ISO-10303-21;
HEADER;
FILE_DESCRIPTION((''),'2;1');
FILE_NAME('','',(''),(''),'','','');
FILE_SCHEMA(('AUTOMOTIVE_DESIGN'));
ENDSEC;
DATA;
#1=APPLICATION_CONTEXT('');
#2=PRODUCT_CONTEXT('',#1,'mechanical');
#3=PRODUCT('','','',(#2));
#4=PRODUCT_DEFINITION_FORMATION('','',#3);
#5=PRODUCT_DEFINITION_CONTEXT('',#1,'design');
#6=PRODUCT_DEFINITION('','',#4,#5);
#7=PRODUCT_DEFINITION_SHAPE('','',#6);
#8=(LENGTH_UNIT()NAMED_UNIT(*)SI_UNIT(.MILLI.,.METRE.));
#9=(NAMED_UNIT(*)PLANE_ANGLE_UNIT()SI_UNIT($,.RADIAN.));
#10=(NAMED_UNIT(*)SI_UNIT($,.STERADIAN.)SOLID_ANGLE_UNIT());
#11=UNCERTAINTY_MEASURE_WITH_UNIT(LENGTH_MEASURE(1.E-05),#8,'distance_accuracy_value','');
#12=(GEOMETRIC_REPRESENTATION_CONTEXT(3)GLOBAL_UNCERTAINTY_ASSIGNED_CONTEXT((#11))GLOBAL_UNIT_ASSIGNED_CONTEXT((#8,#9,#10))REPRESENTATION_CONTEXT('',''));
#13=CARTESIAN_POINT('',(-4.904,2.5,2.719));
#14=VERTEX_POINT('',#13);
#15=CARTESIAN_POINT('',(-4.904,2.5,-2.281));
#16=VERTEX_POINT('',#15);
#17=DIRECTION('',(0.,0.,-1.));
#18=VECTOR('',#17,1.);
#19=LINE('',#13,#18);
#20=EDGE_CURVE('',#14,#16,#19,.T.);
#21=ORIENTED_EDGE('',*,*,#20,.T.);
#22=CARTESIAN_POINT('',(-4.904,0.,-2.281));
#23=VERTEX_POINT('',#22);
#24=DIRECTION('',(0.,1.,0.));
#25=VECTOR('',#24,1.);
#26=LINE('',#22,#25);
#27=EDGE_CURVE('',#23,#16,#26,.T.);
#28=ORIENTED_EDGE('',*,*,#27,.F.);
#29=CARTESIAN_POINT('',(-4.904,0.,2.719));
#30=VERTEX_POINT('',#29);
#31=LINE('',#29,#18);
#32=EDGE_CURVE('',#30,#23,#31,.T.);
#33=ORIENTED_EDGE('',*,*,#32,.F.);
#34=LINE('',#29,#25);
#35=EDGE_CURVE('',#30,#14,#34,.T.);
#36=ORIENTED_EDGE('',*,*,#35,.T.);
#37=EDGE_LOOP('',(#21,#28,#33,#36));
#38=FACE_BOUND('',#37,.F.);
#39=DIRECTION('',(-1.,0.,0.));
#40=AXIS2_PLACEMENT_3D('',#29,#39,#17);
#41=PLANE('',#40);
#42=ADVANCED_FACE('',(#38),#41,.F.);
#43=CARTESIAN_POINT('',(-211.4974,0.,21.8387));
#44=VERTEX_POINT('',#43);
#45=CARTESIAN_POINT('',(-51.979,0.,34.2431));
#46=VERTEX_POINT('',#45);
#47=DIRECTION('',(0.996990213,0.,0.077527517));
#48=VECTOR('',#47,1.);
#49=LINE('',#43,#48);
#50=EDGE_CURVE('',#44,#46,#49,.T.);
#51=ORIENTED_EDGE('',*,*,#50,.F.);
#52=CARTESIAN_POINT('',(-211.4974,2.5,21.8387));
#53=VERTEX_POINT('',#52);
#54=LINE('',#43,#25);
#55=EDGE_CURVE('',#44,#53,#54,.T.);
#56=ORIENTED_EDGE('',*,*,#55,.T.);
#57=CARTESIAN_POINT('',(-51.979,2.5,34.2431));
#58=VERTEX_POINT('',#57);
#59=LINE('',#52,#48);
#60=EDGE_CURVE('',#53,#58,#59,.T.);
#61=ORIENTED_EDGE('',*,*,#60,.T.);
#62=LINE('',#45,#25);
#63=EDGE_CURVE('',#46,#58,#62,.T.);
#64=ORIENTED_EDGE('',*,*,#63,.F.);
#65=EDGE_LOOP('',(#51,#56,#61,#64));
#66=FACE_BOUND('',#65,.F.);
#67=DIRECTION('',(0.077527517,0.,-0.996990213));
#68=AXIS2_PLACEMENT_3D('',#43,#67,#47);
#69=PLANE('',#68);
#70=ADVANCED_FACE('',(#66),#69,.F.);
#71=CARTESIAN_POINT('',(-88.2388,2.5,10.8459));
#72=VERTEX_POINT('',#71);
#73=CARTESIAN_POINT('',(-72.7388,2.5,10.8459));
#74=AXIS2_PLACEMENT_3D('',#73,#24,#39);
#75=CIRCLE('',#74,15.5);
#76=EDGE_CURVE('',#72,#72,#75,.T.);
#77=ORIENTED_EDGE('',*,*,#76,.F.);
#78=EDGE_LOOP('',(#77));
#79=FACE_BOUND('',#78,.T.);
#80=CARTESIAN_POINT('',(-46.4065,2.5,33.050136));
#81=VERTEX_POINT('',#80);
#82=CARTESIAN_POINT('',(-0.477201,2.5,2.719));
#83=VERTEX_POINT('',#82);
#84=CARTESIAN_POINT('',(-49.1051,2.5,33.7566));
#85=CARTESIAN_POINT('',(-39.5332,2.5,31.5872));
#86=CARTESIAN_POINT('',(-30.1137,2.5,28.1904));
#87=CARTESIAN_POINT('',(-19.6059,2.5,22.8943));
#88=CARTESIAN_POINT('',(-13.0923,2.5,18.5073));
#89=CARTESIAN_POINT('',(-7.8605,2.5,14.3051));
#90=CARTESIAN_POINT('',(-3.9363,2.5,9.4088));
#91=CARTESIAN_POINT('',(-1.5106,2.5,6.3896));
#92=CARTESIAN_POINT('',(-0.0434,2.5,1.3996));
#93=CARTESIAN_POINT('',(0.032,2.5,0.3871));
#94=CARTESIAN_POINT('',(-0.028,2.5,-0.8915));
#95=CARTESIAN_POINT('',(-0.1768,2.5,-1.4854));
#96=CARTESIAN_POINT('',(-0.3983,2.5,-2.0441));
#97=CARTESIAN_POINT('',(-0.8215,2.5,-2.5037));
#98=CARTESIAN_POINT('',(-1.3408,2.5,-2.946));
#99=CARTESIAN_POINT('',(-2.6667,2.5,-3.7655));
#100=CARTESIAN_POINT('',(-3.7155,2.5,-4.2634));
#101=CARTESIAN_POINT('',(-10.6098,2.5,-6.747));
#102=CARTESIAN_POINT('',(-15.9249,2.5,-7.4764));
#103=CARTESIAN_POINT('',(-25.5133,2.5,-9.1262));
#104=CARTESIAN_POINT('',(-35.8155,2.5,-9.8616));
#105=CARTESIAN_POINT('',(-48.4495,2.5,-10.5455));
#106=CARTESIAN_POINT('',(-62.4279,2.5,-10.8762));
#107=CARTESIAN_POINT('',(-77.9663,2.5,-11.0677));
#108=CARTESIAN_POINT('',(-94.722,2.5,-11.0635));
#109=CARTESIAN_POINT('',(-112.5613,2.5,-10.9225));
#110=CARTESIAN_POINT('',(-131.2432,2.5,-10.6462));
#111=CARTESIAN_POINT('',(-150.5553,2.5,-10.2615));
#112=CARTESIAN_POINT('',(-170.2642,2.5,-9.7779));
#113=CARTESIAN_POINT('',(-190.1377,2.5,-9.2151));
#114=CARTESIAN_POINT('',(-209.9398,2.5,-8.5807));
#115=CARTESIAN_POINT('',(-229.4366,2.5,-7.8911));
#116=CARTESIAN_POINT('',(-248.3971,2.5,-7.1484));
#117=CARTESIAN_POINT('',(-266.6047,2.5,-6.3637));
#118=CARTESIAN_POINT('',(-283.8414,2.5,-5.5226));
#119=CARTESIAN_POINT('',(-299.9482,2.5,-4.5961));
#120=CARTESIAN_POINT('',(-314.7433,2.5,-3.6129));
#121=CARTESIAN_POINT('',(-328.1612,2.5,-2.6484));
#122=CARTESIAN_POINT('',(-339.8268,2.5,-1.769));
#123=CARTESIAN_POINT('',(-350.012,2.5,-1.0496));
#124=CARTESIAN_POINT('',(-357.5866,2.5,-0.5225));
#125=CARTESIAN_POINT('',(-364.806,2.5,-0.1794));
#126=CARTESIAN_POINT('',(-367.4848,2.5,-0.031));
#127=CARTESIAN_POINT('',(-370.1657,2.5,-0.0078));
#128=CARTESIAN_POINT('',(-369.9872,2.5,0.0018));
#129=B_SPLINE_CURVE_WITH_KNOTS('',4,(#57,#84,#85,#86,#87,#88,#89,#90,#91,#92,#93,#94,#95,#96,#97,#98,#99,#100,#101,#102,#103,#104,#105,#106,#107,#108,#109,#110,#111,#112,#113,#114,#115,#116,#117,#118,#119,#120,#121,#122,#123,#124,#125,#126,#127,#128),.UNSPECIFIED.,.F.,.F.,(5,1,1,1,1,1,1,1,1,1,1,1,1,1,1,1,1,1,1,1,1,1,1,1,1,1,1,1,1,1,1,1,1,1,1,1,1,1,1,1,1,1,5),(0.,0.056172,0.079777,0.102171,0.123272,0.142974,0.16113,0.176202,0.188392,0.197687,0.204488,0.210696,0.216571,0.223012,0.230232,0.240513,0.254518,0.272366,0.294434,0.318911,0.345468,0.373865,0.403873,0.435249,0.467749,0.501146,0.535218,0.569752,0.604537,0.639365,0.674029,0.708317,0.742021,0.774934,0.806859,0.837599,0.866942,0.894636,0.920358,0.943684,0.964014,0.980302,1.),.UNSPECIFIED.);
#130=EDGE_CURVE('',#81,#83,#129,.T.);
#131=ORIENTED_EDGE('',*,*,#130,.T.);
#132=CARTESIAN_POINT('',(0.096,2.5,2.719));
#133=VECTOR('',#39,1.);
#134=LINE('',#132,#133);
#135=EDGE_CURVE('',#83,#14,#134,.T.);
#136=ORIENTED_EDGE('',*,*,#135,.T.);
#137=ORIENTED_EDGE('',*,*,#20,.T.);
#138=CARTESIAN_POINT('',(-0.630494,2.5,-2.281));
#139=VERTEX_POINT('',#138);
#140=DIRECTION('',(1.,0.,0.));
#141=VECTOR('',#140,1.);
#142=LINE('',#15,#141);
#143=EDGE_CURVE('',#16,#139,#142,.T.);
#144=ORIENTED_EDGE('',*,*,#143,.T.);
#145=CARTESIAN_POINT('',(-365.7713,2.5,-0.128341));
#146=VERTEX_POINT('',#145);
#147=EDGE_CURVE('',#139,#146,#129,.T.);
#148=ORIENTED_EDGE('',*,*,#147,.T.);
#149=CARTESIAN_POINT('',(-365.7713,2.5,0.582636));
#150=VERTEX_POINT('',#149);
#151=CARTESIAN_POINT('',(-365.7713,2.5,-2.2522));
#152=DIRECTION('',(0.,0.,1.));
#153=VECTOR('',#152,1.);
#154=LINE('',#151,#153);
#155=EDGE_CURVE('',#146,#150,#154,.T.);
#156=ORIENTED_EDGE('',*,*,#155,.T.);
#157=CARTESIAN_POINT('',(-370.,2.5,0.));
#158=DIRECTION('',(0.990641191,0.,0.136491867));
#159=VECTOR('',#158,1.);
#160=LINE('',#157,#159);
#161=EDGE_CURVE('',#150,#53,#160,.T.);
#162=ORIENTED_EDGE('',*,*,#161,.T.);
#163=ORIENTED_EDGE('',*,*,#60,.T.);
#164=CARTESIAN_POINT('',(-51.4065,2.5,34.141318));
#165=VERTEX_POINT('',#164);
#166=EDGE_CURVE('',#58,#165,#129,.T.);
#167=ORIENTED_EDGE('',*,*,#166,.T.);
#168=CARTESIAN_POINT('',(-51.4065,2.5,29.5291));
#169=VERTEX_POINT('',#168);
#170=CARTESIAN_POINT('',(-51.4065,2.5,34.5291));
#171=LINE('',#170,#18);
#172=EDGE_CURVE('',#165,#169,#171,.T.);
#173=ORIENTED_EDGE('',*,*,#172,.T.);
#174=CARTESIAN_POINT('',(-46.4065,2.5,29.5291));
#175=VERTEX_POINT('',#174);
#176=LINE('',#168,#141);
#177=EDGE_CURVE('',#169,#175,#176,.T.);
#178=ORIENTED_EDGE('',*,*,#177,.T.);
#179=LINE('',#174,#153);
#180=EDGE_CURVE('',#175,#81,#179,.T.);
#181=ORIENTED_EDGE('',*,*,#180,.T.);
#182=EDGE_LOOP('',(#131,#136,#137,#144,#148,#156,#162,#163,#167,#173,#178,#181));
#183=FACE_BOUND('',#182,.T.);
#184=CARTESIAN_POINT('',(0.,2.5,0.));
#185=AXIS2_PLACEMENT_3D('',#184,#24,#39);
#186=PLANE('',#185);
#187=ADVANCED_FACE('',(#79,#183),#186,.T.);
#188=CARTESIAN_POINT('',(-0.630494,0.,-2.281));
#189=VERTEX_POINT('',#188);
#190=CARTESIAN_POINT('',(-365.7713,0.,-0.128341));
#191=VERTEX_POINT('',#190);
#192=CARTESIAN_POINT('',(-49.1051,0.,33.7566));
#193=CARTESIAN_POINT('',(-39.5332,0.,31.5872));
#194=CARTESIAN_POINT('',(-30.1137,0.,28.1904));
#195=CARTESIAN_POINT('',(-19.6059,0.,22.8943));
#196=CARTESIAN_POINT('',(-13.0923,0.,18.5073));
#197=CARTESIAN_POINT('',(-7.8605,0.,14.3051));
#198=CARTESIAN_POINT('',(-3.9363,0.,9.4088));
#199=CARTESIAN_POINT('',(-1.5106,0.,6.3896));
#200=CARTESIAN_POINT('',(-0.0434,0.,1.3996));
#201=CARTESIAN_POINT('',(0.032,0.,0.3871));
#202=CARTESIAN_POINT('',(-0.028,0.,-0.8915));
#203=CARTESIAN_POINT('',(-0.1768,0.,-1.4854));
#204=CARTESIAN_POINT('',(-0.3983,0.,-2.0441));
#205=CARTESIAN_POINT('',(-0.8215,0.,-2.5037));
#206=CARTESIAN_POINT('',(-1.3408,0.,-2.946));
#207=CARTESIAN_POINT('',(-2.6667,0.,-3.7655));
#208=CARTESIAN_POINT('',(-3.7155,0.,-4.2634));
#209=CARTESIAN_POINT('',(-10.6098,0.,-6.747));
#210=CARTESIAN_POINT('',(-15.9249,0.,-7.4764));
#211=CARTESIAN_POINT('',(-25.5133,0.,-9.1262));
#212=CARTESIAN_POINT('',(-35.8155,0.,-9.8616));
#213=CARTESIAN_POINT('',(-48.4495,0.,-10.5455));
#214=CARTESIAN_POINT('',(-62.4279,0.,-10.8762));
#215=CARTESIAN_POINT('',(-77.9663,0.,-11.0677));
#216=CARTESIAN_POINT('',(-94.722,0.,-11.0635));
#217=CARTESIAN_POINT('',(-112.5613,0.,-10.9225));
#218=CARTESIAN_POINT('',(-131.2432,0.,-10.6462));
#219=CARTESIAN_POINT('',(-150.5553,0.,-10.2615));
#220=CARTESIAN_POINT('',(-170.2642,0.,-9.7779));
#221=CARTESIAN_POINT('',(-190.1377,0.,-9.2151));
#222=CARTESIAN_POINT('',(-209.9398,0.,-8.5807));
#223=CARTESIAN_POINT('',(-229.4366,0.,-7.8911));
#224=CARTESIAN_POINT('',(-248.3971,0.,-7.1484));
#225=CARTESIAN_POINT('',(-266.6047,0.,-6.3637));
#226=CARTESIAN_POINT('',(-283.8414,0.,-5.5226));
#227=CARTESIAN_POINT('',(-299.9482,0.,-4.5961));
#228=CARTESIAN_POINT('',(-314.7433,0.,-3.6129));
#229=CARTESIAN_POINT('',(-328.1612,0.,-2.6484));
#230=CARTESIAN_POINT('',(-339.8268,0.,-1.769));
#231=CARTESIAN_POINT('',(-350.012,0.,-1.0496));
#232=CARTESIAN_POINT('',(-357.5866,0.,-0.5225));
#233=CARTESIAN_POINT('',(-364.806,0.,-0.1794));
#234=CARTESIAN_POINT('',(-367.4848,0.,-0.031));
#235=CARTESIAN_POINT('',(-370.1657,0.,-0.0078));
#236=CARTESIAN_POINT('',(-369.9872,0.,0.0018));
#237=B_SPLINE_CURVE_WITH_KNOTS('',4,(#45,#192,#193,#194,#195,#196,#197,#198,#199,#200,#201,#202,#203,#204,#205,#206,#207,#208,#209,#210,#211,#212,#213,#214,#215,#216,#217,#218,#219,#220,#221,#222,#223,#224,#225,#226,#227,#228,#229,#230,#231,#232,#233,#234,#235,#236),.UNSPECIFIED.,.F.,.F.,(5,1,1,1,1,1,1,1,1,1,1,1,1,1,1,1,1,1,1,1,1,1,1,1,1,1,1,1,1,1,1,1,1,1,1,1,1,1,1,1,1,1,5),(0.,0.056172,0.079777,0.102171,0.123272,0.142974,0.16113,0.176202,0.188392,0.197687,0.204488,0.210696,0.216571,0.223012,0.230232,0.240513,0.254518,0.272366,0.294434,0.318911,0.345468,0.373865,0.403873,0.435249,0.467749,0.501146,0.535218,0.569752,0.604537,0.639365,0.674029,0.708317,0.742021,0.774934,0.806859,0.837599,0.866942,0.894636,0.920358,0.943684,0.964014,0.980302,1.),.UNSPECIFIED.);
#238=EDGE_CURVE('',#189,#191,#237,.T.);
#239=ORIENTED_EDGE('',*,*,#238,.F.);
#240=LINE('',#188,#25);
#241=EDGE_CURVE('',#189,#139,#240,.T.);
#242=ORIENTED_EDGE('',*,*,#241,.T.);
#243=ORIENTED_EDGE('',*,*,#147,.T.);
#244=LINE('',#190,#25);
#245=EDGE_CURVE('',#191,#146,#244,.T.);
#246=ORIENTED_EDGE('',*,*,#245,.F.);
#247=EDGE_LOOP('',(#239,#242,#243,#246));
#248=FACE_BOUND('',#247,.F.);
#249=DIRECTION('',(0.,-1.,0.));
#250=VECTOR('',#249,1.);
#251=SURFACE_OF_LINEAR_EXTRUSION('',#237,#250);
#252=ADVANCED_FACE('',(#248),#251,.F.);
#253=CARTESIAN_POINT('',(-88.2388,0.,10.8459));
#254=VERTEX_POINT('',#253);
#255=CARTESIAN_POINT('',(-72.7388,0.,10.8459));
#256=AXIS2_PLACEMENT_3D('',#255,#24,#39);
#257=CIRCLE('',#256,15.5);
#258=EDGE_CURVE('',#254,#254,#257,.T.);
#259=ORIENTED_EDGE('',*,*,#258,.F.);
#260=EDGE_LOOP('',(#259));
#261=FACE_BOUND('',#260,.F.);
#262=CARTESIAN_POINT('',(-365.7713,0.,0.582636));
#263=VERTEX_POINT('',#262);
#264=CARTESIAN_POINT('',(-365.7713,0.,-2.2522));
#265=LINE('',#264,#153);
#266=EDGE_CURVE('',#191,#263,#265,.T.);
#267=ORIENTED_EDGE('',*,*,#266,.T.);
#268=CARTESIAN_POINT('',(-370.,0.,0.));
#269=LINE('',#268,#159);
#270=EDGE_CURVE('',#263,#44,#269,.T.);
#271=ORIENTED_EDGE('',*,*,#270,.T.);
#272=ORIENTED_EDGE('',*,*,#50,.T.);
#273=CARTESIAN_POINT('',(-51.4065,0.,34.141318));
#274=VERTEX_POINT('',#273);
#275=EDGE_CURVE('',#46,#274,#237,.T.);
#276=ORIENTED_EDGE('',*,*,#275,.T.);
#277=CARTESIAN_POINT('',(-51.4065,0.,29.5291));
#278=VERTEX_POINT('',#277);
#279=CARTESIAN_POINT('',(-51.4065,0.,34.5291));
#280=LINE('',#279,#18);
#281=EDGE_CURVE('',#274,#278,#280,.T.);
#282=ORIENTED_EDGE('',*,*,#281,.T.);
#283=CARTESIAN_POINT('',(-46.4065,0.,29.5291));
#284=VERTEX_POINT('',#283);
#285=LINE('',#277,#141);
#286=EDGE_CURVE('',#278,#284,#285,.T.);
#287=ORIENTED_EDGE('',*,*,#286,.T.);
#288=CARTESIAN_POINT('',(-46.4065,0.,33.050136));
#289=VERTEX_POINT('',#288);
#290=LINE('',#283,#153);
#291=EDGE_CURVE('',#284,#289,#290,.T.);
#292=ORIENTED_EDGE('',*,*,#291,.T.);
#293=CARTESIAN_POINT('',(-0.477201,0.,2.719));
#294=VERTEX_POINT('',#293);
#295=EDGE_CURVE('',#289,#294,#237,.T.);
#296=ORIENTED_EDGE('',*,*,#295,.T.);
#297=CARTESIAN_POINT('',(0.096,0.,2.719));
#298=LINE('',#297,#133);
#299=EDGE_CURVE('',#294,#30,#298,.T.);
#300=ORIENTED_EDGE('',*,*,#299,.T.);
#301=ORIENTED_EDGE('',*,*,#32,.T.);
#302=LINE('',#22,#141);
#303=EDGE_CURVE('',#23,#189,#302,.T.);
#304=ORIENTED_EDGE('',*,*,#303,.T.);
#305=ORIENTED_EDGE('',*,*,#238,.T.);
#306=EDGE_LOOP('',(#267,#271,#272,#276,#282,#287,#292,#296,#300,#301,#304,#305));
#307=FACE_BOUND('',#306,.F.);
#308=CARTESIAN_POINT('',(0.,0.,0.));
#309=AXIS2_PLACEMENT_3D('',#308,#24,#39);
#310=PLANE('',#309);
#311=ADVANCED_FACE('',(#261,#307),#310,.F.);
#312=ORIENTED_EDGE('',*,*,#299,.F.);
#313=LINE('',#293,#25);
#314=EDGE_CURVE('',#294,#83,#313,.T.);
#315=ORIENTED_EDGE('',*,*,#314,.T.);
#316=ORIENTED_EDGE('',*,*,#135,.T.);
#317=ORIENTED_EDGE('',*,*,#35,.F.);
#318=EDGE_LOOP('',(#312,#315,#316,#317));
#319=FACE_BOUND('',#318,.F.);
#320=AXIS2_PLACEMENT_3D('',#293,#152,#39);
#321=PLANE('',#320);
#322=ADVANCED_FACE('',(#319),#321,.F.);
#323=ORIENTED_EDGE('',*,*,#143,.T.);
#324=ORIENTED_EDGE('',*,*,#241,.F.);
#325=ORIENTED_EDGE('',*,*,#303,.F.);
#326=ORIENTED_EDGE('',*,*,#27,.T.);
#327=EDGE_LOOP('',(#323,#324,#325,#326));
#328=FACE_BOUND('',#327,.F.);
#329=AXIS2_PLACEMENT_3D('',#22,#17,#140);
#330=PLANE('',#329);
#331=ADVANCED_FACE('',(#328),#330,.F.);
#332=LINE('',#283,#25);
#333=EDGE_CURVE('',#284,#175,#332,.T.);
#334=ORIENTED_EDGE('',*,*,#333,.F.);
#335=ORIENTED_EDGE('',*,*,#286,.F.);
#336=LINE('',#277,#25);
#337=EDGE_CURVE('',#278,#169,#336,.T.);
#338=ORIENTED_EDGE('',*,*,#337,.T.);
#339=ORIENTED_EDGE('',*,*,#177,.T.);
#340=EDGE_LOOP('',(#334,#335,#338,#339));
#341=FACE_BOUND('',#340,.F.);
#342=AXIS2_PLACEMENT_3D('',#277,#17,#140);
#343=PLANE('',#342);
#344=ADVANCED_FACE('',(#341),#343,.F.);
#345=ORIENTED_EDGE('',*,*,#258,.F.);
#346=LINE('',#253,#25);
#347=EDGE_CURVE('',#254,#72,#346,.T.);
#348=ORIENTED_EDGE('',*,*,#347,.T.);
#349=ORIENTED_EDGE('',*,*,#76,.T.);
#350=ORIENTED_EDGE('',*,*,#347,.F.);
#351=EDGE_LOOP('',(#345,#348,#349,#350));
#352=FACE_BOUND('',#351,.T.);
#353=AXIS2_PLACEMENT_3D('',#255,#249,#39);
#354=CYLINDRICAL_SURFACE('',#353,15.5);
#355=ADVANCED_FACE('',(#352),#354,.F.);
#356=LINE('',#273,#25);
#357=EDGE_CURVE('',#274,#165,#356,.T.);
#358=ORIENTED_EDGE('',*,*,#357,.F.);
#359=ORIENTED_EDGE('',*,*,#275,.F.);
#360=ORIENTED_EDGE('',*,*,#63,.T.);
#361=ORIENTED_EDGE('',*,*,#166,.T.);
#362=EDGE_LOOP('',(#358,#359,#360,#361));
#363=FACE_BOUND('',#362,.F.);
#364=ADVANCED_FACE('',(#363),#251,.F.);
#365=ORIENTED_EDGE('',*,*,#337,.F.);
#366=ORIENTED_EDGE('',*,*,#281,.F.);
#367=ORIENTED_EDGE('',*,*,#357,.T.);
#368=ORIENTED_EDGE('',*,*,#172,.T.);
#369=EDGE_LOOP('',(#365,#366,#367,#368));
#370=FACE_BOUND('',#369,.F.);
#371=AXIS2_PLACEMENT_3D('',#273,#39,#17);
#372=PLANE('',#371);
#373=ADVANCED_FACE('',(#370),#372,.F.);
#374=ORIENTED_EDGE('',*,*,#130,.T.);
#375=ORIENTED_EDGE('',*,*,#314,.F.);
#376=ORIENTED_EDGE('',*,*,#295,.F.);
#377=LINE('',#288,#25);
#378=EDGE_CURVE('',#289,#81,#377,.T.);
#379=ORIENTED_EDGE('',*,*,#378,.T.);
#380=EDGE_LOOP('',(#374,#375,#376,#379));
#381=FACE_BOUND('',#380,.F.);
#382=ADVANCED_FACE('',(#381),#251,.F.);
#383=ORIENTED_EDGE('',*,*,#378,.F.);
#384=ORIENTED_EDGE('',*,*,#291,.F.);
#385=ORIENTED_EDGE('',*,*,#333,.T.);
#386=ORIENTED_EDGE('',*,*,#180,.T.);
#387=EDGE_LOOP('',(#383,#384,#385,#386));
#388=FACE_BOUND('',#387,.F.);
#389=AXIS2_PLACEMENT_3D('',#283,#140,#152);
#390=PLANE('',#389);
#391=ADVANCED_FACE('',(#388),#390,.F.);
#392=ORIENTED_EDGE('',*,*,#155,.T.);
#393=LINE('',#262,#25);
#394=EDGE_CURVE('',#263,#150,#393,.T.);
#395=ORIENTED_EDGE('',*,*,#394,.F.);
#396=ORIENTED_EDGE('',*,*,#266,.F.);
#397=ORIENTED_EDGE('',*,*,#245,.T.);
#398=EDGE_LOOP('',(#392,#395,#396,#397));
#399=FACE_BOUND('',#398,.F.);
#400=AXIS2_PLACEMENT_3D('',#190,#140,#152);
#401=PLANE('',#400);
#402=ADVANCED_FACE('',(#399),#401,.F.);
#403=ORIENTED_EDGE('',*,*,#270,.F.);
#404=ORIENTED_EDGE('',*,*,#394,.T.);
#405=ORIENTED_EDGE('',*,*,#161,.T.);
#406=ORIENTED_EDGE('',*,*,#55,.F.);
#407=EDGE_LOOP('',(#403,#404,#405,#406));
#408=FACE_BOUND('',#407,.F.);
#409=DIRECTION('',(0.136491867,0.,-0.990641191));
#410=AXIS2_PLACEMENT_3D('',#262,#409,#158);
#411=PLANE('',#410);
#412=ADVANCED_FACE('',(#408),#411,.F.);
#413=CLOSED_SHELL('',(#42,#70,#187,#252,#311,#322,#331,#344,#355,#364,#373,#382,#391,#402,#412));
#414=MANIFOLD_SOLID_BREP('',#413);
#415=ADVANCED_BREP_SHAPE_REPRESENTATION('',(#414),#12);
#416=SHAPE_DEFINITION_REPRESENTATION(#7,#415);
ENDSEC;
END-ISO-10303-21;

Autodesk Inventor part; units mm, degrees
ref_plane "YZ Plane" through (0, 0, 0) normal (1, 0, 0) x (0, 1, 0)
ref_plane "XZ Plane" through (0, 0, 0) normal (0, 1, 0) x (-1, 0, 0)
ref_plane "XY Plane" through (0, 0, 0) normal (0, 0, 1) x (1, 0, 0)
sketch "Sketch1" plane through (0, 0, 0) normal (0, 1, 0) x (-1, 0, 0)
  spline S0 degree 4 poles (51.979, 34.2431) (49.1051, 33.7566) (39.5332, 31.5872) (30.1137, 28.1904) (19.6059, 22.8943) (13.0923, 18.5073) (7.8605, 14.3051) (3.9363, 9.4088) (1.5106, 6.3896) (0.0434, 1.3996) (-0.032, 0.3871) (0.028, -0.8915) (0.1768, -1.4854) (0.3983, -2.0441) (0.8215, -2.5037) (1.3408, -2.946) (2.6667, -3.7655) (3.7155, -4.2634) (10.6098, -6.747) (15.9249, -7.4764) (25.5133, -9.1262) (35.8155, -9.8616) (48.4495, -10.5455) (62.4279, -10.8762) (77.9663, -11.0677) (94.722, -11.0635) (112.5613, -10.9225) (131.2432, -10.6462) (150.5553, -10.2615) (170.2642, -9.7779) (190.1377, -9.2151) (209.9398, -8.5807) (229.4366, -7.8911) (248.3971, -7.1484) (266.6047, -6.3637) (283.8414, -5.5226) (299.9482, -4.5961) (314.7433, -3.6129) (328.1612, -2.6484) (339.8268, -1.769) (350.012, -1.0496) (357.5866, -0.5225) (364.806, -0.1794) (367.4848, -0.031) (370.1657, -0.0078) (369.9872, 0.0018) knots 0 0 0 0 0 0.056172 0.079777 0.102171 0.123272 0.142974 0.16113 0.176202 0.188392 0.197687 0.204488 0.210696 0.216571 0.223012 0.230232 0.240513 0.254518 0.272366 0.294434 0.318911 0.345468 0.373865 0.403873 0.435249 0.467749 0.501146 0.535218 0.569752 0.604537 0.639365 0.674029 0.708317 0.742021 0.774934 0.806859 0.837599 0.866942 0.894636 0.920358 0.943684 0.964014 0.980302 1 1 1 1 1
  circle A0 centre (370, 0) radius 160 construction
  line L0 (370, 0) -> (211.4974, 21.8387)
  circle A1 centre (211.4974, 21.8387) radius 160 construction
  line L1 (211.4974, 21.8387) -> (51.979, 34.2431)
  line L2 (-0.096, 2.719) -> (4.904, 2.719)
  line L3 (4.904, 2.719) -> (4.904, -2.281)
  line L4 (4.904, -2.281) -> (-0.096, -2.281)
  line L5 (-0.096, -2.281) -> (-0.096, 2.719)
  circle A2 centre (369.9872, 0.0018) radius 3 construction
  line L6 (365.7713, 2.7478) -> (370.7713, 2.7478)
  line L7 (370.7713, 2.7478) -> (370.7713, -2.2522)
  line L8 (370.7713, -2.2522) -> (365.7713, -2.2522)
  line L9 (365.7713, -2.2522) -> (365.7713, 2.7478)
  line L10 (211.4974, 21.8387) -> (210.0997, -8.5616) construction
  line L11 (46.4065, 34.5291) -> (51.4065, 34.5291)
  line L12 (51.4065, 34.5291) -> (51.4065, 29.5291)
  line L13 (51.4065, 29.5291) -> (46.4065, 29.5291)
  line L14 (46.4065, 29.5291) -> (46.4065, 34.5291)
  line L15 (46.4065, 34.5291) -> (51.4065, 29.5291) construction
  line L16 (51.4065, 34.5291) -> (46.4065, 29.5291) construction
  circle A3 centre (72.7388, 10.8459) radius 15.5
  point P0 (0, 0)
  point P1 (370, 0)
  point P2 (35.937, 30.0257)
  point P3 (27.0238, 26.4761)
  point P4 (19.2974, 22.4624)
  point P5 (12.8156, 18.139)
  point P6 (7.6237, 13.6489)
  point P7 (3.7499, 9.1521)
  point P8 (1.2115, 4.8535)
  point P9 (0.0668, 1.0195)
  point P10 (0.0003, -0.0638)
  point P11 (0.0755, -0.9849)
  point P12 (0.2106, -1.5356)
  point P13 (0.4302, -2.0122)
  point P14 (0.7739, -2.4345)
  point P15 (1.2488, -2.8423)
  point P16 (2.1566, -3.4383)
  point P17 (3.2773, -4.0196)
  point P18 (8.2772, -5.8071)
  point P19 (15.3669, -7.4261)
  point P20 (24.3167, -8.7706)
  point P21 (35.0526, -9.7678)
  point P22 (47.5438, -10.4262)
  point P23 (61.6814, -10.8267)
  point P24 (77.2847, -11.0213)
  point P25 (94.162, -11.0379)
  point P26 (112.1091, -10.9014)
  point P27 (130.911, -10.6315)
  point P28 (150.3435, -10.2474)
  point P29 (170.176, -9.7646)
  point P30 (190.1737, -9.1986)
  point P31 (229.7182, -7.8653)
  point P32 (248.7963, -7.1166)
  point P33 (267.1071, -6.3194)
  point P34 (284.4371, -5.4606)
  point P35 (300.619, -4.5258)
  point P36 (315.5184, -3.5432)
  point P37 (328.988, -2.5786)
  point P38 (340.8625, -1.7041)
  point P39 (350.9622, -0.9861)
  point P40 (359.0984, -0.4682)
  point P41 (365.0855, -0.1602)
  point P42 (368.7597, -0.0285)
  point P43 (370, 0)
  point P44 (0.4773, 2.719)
  point P45 (0.6305, -2.281)
  point P46 (365.7713, -0.1283)
  point P47 (368.4073, 0.2194)
  point P48 (48.9065, 32.0291)
  point P49 (112.1091, -11.9485)
  point P50 (365.7713, 0.5826)
  point P51 (51.4065, 34.1414)
  point P52 (46.4065, 33.0501)
  dimension "d5" = 160
  dimension "d8" = 160
  dimension "d17" = 5
  dimension "d18" = 5
  dimension "d25" = 6
  dimension "d26" = 5
  dimension "d27" = 5
  dimension "d36" = 5
  dimension "d37" = 5
  dimension "d50" = 368.7594
  dimension "d62" = 31
extrude "Extrusion4" add sketch "Sketch1" along normal blind 2.5 contours S0 L4 L3 L2 L14 L13 L12 L1 L0 L9
properties part number "airfoil blueprint"
